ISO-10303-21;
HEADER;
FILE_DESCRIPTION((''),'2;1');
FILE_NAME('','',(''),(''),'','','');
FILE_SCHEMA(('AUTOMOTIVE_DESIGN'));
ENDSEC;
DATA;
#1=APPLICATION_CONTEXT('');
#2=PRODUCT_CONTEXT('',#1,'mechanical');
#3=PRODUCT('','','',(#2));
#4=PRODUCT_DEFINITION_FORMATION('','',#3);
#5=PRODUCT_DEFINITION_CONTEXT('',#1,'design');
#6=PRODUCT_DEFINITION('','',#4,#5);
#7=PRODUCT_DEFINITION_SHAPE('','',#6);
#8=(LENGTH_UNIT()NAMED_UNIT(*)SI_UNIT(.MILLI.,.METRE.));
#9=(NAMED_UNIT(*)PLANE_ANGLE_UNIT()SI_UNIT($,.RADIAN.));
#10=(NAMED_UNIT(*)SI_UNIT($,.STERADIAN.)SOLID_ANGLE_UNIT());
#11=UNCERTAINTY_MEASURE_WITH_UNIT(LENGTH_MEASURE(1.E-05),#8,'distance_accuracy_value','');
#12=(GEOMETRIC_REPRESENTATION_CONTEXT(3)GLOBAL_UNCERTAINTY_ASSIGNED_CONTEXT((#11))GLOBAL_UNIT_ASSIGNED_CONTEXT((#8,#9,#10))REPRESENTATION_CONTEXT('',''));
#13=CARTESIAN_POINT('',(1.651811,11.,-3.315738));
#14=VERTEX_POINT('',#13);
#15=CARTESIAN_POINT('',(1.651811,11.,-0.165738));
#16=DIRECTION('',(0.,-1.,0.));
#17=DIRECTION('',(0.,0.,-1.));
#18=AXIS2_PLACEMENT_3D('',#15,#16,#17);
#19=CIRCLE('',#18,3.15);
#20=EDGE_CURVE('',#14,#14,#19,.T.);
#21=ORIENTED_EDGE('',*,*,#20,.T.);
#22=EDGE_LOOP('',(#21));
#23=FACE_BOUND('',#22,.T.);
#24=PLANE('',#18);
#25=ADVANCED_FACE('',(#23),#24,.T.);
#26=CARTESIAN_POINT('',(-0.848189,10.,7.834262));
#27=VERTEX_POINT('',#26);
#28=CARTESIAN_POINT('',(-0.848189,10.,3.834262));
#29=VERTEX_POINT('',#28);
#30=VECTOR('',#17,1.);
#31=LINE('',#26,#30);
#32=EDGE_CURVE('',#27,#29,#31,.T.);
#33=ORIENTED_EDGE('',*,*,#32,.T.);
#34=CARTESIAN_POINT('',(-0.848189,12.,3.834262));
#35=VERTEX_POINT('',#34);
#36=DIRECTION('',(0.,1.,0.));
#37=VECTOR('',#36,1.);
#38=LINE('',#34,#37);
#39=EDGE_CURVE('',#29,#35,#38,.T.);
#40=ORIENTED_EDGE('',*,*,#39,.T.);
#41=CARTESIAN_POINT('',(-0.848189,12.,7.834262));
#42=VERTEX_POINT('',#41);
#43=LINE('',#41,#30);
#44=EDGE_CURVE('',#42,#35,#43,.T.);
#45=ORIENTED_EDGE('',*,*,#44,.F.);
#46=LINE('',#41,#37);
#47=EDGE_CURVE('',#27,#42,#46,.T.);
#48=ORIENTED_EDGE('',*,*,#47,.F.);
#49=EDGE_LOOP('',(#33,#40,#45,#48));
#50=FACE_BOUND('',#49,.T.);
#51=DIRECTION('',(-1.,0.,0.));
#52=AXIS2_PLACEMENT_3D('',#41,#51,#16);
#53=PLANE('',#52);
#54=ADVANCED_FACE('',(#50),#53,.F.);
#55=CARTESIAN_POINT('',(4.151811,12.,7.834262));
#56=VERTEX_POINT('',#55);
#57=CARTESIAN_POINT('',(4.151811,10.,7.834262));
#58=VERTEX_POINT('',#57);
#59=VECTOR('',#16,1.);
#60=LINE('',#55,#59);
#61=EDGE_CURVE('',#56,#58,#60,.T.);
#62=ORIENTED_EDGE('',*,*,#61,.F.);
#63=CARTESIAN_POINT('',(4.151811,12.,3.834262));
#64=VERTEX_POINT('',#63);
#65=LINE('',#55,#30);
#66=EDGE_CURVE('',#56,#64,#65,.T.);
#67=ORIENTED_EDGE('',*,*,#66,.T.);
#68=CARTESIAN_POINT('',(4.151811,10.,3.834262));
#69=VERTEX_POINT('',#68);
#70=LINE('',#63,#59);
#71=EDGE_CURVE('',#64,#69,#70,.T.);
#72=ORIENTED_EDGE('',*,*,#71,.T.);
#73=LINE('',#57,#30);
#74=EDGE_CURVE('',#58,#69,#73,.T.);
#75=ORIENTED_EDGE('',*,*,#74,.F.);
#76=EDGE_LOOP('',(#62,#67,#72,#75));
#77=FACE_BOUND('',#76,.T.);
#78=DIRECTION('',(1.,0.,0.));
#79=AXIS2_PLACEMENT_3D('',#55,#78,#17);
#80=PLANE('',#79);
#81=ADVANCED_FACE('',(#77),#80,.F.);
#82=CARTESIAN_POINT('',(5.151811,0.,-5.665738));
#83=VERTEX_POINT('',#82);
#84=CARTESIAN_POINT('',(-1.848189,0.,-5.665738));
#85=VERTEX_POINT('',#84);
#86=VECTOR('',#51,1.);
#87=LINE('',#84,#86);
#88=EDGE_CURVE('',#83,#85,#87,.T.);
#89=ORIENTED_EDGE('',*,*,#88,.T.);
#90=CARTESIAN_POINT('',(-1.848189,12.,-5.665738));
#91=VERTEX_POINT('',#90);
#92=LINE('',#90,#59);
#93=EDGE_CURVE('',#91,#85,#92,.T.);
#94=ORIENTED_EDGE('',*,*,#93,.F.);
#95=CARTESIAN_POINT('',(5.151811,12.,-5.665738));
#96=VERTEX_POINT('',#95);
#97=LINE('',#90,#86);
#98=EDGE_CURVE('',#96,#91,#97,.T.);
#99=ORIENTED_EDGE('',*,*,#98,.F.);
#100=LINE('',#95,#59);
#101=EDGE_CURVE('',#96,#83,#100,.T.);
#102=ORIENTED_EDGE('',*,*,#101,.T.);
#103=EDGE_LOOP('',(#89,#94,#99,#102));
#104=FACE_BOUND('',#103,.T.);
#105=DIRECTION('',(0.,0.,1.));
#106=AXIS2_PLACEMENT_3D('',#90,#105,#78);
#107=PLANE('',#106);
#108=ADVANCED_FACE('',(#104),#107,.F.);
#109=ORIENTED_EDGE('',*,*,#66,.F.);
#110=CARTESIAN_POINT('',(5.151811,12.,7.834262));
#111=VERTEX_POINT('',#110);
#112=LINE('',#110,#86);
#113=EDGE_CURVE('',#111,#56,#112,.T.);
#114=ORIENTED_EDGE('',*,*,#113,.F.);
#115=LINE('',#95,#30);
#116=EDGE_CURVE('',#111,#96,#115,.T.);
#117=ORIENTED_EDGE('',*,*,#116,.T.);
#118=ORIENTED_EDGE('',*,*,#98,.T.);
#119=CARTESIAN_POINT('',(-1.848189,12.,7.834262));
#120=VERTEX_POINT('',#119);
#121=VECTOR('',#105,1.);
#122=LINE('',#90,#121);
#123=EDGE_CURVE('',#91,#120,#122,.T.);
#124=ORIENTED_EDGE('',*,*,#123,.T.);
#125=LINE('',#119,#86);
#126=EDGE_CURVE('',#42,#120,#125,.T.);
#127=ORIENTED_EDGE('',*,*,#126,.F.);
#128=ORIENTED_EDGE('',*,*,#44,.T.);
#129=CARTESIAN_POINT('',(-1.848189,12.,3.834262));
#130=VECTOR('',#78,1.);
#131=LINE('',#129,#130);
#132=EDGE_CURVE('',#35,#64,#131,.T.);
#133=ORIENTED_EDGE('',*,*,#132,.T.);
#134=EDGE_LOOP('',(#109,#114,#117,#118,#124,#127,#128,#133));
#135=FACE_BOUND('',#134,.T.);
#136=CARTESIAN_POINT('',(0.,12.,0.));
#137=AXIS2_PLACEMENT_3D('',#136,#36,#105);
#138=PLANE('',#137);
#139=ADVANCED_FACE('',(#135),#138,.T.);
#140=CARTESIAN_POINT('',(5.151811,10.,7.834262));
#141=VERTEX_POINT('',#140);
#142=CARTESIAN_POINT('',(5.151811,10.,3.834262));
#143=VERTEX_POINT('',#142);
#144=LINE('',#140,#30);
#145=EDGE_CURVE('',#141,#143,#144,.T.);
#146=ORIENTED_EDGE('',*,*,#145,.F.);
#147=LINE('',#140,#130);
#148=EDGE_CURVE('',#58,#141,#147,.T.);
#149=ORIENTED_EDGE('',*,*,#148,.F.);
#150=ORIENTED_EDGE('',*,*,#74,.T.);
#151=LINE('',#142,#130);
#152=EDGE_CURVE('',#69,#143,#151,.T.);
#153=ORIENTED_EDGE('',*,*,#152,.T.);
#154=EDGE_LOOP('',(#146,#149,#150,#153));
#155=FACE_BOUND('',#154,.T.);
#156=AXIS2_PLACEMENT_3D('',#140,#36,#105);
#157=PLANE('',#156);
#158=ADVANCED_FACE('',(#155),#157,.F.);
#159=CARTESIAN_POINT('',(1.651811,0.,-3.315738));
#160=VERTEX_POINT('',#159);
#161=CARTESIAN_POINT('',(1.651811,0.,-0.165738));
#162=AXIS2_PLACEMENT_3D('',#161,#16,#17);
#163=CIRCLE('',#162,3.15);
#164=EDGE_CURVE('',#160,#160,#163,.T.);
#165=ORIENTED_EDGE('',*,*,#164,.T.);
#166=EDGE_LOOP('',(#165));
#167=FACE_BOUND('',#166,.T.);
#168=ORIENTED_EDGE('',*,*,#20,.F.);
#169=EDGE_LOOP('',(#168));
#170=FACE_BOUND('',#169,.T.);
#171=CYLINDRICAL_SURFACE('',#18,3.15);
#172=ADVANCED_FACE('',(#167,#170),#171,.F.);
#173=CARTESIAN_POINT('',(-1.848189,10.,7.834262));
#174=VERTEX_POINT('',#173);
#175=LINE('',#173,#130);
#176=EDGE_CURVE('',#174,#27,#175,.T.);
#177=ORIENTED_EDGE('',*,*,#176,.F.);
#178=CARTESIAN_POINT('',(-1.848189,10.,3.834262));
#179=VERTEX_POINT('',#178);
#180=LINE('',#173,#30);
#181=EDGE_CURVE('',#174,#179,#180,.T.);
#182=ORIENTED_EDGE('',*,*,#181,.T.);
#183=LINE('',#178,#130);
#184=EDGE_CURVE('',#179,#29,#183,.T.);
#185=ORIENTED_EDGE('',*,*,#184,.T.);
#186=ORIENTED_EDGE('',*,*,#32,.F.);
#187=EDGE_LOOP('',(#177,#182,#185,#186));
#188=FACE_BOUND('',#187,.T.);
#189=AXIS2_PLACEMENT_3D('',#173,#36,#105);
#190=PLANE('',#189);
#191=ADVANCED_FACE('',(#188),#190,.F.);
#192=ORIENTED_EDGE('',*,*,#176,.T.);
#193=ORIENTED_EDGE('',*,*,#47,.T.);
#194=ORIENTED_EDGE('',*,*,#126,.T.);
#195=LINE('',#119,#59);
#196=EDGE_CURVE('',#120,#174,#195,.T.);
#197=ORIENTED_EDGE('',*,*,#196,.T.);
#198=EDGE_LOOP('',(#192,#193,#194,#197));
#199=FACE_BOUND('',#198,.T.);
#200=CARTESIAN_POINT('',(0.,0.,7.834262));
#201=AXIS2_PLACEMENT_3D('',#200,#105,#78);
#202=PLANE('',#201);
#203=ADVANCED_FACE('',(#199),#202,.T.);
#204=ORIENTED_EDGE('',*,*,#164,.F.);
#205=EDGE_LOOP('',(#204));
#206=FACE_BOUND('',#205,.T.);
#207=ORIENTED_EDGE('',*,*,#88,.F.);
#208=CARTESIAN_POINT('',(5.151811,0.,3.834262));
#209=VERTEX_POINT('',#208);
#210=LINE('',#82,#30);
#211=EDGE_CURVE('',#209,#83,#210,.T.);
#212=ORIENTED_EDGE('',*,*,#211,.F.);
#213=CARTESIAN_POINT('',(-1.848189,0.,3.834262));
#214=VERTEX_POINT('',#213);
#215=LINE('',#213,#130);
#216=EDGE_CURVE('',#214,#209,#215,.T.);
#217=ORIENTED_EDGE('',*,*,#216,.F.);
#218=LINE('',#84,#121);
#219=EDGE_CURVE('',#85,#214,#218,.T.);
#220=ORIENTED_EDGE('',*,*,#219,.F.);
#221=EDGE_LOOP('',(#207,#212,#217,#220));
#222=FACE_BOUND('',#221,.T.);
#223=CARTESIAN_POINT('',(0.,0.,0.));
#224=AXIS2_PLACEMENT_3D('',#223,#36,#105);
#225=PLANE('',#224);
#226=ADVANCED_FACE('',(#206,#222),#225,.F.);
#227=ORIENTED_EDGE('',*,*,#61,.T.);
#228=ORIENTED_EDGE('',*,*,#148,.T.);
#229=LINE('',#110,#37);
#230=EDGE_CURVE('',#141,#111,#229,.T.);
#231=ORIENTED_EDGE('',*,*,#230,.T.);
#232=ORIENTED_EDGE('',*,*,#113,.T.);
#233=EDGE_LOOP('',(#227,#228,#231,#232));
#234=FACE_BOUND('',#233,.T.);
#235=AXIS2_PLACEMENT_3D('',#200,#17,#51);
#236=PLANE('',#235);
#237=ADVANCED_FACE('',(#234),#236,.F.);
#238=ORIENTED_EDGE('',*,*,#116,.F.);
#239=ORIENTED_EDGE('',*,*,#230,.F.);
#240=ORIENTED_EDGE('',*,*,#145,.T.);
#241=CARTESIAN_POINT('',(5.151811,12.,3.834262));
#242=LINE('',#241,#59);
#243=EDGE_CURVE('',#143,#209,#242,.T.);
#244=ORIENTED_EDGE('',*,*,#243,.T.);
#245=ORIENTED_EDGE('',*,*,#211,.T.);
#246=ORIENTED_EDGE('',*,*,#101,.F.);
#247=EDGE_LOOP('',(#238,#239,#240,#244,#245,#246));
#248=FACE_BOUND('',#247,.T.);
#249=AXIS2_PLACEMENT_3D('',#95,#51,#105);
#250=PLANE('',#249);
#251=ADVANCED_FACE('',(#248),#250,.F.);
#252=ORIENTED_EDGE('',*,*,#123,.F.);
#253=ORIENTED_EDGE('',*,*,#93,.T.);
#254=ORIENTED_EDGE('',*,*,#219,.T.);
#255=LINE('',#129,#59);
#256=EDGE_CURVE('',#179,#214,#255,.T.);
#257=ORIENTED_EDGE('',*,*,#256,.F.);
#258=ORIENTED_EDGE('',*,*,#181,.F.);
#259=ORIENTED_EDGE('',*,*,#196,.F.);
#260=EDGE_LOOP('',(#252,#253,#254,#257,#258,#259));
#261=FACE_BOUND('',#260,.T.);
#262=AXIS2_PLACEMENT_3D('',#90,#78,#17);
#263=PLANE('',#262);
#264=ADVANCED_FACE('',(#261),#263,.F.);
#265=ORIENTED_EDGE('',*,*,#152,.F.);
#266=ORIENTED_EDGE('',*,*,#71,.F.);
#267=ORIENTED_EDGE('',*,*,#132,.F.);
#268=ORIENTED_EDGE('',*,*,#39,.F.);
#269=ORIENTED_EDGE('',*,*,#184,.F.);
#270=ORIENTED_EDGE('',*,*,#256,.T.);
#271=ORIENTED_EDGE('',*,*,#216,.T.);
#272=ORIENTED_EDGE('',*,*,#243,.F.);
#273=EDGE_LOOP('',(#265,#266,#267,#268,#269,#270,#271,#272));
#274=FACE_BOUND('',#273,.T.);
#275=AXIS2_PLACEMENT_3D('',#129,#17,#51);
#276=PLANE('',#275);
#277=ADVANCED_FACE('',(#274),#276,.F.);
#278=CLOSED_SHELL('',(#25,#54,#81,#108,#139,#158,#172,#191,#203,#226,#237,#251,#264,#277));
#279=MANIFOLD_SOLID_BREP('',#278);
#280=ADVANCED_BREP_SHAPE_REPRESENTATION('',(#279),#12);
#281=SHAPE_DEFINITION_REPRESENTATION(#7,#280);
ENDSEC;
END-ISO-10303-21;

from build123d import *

# Parameters (mm, degrees)
SKETCH1_W           = 7
SKETCH1_H           = 9.5
BOSS_EXTRUDE1_DEPTH = 12
SKETCH3_R           = 3.15
CUT_EXTRUDE2_DEPTH  = 11
SKETCH4_W           = 1
SKETCH4_H           = 2
BOSS_EXTRUDE2_DEPTH = 4


with BuildPart() as part:
    # Sketch1 → Boss-Extrude1 (new body)
    with BuildSketch(Plane(origin=(0, 0, 0), x_dir=(1, 0, 0), z_dir=(0, 1, 0))):
        with Locations((1.651810585, 0.915738162)):
            Rectangle(SKETCH1_W, SKETCH1_H)
    extrude(amount=BOSS_EXTRUDE1_DEPTH)

    # Sketch3 → Cut-Extrude2 (cut)
    with BuildSketch(Plane.XZ):
        with Locations(Location((1.651810585, -0.165738162, 0), (0, 0, 270))):
            Circle(SKETCH3_R)
    extrude(amount=-CUT_EXTRUDE2_DEPTH, mode=Mode.SUBTRACT)

    # Sketch4 → Boss-Extrude2 (add)
    with BuildSketch(Plane.XY.offset(3.834261838)):
        with Locations((-1.348189415, 11)):
            Rectangle(SKETCH4_W, SKETCH4_H)
        with Locations((4.651810585, 11)):
            Rectangle(SKETCH4_W, SKETCH4_H)
    extrude(amount=BOSS_EXTRUDE2_DEPTH)


solid = part.part
